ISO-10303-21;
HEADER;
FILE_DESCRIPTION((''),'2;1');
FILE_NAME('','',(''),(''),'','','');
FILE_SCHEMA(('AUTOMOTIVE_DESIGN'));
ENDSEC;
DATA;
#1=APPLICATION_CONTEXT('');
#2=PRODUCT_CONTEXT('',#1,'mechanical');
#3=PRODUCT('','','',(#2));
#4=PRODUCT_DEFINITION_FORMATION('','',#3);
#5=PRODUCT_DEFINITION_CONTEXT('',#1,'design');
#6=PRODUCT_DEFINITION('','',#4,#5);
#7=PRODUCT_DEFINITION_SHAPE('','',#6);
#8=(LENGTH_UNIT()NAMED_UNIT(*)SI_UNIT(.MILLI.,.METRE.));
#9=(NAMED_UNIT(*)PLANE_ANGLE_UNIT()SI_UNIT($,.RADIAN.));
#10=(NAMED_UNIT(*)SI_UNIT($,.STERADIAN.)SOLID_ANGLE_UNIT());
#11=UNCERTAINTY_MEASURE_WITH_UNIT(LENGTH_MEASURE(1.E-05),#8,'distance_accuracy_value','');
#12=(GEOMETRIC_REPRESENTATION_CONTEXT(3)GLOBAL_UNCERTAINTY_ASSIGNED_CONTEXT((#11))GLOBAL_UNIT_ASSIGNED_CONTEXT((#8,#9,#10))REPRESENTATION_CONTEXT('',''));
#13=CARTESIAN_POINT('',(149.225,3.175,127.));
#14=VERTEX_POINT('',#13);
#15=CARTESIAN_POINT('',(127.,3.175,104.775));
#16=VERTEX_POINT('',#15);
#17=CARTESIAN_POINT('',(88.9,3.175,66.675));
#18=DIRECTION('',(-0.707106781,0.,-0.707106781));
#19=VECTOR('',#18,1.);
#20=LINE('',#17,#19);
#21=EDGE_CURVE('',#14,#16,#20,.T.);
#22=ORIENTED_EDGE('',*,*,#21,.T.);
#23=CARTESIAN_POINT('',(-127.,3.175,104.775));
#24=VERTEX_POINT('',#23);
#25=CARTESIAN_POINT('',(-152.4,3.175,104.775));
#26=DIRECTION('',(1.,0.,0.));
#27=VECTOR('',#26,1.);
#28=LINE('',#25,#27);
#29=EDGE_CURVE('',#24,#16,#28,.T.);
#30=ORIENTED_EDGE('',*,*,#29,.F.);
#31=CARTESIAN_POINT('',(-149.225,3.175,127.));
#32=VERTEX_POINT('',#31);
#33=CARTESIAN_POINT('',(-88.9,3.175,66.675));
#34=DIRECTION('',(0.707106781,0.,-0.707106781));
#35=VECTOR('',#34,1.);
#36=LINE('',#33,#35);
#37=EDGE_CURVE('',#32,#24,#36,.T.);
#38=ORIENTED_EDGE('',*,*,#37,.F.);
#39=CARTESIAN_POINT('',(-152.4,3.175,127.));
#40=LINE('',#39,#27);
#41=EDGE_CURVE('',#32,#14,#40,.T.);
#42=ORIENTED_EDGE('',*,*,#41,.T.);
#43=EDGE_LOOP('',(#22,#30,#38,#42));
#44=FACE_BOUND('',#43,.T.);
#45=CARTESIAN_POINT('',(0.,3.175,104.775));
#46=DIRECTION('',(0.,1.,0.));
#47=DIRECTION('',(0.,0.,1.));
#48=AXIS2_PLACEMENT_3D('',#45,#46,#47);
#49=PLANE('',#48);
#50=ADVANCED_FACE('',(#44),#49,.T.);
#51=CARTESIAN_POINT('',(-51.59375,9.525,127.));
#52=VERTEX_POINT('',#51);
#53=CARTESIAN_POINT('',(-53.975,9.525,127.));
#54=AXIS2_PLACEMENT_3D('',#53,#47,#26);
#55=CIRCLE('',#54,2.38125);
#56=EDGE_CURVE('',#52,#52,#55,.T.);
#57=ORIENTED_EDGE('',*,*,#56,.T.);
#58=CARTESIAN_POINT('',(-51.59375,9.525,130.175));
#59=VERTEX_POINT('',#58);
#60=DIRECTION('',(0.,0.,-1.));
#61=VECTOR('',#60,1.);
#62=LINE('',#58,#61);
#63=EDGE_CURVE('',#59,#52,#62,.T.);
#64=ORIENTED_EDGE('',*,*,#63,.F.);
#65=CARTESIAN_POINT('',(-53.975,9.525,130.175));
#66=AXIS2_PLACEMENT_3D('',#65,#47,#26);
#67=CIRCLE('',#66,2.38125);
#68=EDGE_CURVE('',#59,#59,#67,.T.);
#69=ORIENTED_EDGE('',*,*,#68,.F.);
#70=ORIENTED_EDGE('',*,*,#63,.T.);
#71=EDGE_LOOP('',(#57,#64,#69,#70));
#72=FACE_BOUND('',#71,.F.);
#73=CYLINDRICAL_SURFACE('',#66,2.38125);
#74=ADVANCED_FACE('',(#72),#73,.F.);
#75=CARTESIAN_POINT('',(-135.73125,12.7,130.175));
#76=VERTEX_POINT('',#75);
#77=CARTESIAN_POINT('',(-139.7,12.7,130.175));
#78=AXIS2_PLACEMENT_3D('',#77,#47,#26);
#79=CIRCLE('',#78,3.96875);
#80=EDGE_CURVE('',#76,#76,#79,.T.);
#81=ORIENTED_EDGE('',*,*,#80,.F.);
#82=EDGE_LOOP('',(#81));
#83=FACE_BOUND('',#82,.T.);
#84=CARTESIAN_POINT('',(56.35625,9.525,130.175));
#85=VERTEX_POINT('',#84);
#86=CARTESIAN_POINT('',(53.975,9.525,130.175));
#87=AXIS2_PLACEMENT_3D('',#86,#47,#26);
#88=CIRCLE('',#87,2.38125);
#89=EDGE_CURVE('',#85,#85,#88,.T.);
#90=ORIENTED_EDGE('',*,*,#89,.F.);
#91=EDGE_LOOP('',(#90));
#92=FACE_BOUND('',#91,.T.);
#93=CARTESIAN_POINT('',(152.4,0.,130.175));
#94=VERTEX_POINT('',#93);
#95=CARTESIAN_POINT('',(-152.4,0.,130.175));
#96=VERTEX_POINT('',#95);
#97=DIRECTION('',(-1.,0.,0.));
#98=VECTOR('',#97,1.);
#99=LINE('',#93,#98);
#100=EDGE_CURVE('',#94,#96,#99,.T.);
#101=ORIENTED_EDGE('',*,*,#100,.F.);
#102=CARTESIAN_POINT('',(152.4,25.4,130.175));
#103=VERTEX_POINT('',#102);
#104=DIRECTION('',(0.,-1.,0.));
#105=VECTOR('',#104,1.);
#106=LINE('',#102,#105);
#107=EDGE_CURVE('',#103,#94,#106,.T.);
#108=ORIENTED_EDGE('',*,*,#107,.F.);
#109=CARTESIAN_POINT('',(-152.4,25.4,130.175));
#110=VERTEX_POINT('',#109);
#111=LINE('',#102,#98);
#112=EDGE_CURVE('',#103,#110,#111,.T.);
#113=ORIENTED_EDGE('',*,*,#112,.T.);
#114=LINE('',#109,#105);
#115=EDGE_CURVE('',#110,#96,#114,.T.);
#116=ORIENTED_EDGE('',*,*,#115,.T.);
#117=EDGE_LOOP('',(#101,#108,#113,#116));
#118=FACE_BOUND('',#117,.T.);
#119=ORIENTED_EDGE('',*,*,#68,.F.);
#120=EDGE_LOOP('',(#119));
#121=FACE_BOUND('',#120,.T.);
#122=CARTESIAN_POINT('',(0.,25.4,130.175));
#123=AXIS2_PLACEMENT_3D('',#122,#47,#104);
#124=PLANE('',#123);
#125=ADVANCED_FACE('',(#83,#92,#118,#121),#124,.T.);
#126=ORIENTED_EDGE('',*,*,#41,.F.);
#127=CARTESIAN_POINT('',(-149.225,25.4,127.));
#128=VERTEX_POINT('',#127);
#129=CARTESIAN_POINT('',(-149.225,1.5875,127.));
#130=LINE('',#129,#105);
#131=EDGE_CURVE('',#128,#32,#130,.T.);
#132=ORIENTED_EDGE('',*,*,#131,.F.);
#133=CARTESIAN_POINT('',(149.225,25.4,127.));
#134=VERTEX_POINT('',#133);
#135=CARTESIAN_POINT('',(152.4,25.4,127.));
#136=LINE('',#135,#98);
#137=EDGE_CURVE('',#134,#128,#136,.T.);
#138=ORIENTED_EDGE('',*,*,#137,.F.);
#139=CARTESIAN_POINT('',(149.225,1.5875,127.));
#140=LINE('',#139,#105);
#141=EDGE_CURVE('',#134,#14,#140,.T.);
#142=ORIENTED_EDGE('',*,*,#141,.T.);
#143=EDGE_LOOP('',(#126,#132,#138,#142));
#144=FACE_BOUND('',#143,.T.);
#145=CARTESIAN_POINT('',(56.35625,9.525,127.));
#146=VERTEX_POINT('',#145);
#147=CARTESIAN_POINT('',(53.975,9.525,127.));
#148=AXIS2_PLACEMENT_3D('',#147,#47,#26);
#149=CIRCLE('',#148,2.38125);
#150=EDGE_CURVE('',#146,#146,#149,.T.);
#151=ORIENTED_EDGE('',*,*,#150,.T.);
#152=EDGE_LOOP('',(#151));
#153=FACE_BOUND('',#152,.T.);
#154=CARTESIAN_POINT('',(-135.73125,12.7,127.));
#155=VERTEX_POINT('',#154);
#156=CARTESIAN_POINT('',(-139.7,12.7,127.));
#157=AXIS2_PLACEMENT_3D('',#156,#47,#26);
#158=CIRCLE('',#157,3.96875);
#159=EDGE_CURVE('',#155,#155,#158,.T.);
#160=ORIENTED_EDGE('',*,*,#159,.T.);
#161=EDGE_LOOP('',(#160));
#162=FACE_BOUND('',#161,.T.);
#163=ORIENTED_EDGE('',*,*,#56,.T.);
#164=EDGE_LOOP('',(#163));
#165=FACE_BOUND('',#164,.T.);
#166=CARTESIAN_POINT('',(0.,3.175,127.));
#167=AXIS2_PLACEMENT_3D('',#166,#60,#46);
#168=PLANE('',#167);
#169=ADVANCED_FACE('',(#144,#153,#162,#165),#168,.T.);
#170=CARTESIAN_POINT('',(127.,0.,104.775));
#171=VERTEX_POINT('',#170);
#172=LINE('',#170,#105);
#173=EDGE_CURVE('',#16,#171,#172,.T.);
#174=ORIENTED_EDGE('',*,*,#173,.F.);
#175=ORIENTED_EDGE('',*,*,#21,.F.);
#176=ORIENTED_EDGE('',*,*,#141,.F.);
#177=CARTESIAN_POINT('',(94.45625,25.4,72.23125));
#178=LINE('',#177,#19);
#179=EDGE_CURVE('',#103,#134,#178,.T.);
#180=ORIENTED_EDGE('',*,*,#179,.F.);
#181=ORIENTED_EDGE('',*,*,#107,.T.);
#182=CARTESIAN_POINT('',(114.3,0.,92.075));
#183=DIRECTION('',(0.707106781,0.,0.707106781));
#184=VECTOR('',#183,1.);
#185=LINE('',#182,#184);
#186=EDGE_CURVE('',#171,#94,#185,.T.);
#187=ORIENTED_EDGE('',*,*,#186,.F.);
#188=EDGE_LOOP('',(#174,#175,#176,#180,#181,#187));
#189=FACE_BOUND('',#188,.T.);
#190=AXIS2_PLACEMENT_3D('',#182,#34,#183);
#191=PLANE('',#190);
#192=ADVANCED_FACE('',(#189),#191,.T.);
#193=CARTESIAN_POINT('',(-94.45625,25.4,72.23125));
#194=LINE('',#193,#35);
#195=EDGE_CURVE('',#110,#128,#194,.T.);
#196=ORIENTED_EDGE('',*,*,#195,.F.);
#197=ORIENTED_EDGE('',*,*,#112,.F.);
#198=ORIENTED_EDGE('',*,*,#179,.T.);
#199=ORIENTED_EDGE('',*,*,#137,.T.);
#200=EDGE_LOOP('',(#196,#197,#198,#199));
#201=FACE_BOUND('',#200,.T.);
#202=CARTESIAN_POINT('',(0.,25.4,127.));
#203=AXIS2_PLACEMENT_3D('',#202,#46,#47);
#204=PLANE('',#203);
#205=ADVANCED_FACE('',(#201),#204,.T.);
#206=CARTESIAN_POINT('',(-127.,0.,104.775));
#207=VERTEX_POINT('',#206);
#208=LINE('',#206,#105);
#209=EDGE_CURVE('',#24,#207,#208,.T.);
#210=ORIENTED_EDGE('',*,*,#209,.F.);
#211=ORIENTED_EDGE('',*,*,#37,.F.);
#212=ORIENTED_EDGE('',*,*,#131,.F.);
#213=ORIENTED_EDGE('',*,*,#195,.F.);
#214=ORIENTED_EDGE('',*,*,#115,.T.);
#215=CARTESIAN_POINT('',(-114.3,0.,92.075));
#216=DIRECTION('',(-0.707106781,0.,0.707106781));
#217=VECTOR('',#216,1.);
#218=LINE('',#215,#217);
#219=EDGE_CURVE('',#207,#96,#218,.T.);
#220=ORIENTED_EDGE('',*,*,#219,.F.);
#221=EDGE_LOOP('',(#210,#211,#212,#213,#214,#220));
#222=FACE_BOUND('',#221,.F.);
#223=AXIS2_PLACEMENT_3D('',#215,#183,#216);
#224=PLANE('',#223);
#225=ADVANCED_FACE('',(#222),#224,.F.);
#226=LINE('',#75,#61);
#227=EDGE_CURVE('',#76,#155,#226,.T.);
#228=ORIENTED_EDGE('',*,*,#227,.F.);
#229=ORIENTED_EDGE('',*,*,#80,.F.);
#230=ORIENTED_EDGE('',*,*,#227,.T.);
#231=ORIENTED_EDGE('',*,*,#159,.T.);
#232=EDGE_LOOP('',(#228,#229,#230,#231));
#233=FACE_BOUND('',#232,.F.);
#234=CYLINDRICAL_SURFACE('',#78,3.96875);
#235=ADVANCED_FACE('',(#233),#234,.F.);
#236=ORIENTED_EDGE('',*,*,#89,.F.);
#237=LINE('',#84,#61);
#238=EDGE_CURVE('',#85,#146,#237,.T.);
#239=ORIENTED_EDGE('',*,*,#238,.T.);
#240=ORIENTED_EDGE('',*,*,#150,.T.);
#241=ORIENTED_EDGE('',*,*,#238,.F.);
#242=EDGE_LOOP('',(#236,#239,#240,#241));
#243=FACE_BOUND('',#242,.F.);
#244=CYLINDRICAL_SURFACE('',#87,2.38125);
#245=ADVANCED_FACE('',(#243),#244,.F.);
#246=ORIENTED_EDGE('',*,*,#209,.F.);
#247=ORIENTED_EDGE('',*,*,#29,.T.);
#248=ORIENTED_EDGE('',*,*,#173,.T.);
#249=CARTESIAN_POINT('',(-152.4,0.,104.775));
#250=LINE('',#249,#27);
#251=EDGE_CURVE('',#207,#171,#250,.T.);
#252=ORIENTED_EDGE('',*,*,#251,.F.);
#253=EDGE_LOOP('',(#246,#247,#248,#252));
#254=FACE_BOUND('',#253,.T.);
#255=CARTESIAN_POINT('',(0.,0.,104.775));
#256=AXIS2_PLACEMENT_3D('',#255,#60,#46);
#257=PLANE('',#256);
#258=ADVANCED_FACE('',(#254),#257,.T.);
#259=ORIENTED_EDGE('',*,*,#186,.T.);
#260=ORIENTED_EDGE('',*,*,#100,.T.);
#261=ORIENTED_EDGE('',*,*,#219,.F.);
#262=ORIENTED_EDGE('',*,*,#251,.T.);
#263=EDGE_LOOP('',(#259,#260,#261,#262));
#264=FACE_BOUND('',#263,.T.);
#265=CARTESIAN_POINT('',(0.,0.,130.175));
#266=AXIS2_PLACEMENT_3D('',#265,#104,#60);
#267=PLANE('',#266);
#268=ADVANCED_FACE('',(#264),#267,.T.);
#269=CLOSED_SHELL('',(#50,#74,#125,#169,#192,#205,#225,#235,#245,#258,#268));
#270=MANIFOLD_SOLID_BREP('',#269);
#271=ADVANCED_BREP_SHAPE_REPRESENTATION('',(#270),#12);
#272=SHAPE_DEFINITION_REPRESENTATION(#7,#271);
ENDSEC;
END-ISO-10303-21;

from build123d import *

# Parameters (mm, degrees)
PAD6966_DEPTH   = 152.4
POCKET672_DEPTH = 25.401
SKETCH7924_R    = 2.38125
SKETCH7924_R_2  = 3.96875
POCKET673_DEPTH = 25.401


with BuildPart() as part:
    # Sketch7922 → Pad6966 (new body, symmetric)
    with BuildSketch(Plane.YZ):
        Polygon((0, 0), (0, -25.4), (3.175, -25.4), (3.175, -3.175), (25.4, -3.175), (25.4, 0), align=None)
    extrude(amount=PAD6966_DEPTH, both=True)

    # Sketch7923 → Pocket672 (cut, through all)
    with BuildSketch(Plane.XZ):
        Polygon((-114.3, -38.1), (-152.4, 0), (-152.4, -38.1), align=None)
        Polygon((114.3, -38.1), (152.4, 0), (152.4, -38.1), align=None)
    extrude(amount=-POCKET672_DEPTH, mode=Mode.SUBTRACT)

    # Sketch7924 → Pocket673 (cut, through all)
    with BuildSketch(Plane.XY):
        with Locations((-53.975, 9.525)):
            Circle(SKETCH7924_R)
        with Locations((53.975, 9.525)):
            Circle(SKETCH7924_R)
        with Locations((-139.7, 12.7)):
            Circle(SKETCH7924_R_2)
    extrude(amount=-POCKET673_DEPTH, mode=Mode.SUBTRACT)


with BuildPart() as part_1:
    # Body6272 placement: moved
    add(part.part.moved(Location((0, 0, 130.175))))


solid = part_1.part
